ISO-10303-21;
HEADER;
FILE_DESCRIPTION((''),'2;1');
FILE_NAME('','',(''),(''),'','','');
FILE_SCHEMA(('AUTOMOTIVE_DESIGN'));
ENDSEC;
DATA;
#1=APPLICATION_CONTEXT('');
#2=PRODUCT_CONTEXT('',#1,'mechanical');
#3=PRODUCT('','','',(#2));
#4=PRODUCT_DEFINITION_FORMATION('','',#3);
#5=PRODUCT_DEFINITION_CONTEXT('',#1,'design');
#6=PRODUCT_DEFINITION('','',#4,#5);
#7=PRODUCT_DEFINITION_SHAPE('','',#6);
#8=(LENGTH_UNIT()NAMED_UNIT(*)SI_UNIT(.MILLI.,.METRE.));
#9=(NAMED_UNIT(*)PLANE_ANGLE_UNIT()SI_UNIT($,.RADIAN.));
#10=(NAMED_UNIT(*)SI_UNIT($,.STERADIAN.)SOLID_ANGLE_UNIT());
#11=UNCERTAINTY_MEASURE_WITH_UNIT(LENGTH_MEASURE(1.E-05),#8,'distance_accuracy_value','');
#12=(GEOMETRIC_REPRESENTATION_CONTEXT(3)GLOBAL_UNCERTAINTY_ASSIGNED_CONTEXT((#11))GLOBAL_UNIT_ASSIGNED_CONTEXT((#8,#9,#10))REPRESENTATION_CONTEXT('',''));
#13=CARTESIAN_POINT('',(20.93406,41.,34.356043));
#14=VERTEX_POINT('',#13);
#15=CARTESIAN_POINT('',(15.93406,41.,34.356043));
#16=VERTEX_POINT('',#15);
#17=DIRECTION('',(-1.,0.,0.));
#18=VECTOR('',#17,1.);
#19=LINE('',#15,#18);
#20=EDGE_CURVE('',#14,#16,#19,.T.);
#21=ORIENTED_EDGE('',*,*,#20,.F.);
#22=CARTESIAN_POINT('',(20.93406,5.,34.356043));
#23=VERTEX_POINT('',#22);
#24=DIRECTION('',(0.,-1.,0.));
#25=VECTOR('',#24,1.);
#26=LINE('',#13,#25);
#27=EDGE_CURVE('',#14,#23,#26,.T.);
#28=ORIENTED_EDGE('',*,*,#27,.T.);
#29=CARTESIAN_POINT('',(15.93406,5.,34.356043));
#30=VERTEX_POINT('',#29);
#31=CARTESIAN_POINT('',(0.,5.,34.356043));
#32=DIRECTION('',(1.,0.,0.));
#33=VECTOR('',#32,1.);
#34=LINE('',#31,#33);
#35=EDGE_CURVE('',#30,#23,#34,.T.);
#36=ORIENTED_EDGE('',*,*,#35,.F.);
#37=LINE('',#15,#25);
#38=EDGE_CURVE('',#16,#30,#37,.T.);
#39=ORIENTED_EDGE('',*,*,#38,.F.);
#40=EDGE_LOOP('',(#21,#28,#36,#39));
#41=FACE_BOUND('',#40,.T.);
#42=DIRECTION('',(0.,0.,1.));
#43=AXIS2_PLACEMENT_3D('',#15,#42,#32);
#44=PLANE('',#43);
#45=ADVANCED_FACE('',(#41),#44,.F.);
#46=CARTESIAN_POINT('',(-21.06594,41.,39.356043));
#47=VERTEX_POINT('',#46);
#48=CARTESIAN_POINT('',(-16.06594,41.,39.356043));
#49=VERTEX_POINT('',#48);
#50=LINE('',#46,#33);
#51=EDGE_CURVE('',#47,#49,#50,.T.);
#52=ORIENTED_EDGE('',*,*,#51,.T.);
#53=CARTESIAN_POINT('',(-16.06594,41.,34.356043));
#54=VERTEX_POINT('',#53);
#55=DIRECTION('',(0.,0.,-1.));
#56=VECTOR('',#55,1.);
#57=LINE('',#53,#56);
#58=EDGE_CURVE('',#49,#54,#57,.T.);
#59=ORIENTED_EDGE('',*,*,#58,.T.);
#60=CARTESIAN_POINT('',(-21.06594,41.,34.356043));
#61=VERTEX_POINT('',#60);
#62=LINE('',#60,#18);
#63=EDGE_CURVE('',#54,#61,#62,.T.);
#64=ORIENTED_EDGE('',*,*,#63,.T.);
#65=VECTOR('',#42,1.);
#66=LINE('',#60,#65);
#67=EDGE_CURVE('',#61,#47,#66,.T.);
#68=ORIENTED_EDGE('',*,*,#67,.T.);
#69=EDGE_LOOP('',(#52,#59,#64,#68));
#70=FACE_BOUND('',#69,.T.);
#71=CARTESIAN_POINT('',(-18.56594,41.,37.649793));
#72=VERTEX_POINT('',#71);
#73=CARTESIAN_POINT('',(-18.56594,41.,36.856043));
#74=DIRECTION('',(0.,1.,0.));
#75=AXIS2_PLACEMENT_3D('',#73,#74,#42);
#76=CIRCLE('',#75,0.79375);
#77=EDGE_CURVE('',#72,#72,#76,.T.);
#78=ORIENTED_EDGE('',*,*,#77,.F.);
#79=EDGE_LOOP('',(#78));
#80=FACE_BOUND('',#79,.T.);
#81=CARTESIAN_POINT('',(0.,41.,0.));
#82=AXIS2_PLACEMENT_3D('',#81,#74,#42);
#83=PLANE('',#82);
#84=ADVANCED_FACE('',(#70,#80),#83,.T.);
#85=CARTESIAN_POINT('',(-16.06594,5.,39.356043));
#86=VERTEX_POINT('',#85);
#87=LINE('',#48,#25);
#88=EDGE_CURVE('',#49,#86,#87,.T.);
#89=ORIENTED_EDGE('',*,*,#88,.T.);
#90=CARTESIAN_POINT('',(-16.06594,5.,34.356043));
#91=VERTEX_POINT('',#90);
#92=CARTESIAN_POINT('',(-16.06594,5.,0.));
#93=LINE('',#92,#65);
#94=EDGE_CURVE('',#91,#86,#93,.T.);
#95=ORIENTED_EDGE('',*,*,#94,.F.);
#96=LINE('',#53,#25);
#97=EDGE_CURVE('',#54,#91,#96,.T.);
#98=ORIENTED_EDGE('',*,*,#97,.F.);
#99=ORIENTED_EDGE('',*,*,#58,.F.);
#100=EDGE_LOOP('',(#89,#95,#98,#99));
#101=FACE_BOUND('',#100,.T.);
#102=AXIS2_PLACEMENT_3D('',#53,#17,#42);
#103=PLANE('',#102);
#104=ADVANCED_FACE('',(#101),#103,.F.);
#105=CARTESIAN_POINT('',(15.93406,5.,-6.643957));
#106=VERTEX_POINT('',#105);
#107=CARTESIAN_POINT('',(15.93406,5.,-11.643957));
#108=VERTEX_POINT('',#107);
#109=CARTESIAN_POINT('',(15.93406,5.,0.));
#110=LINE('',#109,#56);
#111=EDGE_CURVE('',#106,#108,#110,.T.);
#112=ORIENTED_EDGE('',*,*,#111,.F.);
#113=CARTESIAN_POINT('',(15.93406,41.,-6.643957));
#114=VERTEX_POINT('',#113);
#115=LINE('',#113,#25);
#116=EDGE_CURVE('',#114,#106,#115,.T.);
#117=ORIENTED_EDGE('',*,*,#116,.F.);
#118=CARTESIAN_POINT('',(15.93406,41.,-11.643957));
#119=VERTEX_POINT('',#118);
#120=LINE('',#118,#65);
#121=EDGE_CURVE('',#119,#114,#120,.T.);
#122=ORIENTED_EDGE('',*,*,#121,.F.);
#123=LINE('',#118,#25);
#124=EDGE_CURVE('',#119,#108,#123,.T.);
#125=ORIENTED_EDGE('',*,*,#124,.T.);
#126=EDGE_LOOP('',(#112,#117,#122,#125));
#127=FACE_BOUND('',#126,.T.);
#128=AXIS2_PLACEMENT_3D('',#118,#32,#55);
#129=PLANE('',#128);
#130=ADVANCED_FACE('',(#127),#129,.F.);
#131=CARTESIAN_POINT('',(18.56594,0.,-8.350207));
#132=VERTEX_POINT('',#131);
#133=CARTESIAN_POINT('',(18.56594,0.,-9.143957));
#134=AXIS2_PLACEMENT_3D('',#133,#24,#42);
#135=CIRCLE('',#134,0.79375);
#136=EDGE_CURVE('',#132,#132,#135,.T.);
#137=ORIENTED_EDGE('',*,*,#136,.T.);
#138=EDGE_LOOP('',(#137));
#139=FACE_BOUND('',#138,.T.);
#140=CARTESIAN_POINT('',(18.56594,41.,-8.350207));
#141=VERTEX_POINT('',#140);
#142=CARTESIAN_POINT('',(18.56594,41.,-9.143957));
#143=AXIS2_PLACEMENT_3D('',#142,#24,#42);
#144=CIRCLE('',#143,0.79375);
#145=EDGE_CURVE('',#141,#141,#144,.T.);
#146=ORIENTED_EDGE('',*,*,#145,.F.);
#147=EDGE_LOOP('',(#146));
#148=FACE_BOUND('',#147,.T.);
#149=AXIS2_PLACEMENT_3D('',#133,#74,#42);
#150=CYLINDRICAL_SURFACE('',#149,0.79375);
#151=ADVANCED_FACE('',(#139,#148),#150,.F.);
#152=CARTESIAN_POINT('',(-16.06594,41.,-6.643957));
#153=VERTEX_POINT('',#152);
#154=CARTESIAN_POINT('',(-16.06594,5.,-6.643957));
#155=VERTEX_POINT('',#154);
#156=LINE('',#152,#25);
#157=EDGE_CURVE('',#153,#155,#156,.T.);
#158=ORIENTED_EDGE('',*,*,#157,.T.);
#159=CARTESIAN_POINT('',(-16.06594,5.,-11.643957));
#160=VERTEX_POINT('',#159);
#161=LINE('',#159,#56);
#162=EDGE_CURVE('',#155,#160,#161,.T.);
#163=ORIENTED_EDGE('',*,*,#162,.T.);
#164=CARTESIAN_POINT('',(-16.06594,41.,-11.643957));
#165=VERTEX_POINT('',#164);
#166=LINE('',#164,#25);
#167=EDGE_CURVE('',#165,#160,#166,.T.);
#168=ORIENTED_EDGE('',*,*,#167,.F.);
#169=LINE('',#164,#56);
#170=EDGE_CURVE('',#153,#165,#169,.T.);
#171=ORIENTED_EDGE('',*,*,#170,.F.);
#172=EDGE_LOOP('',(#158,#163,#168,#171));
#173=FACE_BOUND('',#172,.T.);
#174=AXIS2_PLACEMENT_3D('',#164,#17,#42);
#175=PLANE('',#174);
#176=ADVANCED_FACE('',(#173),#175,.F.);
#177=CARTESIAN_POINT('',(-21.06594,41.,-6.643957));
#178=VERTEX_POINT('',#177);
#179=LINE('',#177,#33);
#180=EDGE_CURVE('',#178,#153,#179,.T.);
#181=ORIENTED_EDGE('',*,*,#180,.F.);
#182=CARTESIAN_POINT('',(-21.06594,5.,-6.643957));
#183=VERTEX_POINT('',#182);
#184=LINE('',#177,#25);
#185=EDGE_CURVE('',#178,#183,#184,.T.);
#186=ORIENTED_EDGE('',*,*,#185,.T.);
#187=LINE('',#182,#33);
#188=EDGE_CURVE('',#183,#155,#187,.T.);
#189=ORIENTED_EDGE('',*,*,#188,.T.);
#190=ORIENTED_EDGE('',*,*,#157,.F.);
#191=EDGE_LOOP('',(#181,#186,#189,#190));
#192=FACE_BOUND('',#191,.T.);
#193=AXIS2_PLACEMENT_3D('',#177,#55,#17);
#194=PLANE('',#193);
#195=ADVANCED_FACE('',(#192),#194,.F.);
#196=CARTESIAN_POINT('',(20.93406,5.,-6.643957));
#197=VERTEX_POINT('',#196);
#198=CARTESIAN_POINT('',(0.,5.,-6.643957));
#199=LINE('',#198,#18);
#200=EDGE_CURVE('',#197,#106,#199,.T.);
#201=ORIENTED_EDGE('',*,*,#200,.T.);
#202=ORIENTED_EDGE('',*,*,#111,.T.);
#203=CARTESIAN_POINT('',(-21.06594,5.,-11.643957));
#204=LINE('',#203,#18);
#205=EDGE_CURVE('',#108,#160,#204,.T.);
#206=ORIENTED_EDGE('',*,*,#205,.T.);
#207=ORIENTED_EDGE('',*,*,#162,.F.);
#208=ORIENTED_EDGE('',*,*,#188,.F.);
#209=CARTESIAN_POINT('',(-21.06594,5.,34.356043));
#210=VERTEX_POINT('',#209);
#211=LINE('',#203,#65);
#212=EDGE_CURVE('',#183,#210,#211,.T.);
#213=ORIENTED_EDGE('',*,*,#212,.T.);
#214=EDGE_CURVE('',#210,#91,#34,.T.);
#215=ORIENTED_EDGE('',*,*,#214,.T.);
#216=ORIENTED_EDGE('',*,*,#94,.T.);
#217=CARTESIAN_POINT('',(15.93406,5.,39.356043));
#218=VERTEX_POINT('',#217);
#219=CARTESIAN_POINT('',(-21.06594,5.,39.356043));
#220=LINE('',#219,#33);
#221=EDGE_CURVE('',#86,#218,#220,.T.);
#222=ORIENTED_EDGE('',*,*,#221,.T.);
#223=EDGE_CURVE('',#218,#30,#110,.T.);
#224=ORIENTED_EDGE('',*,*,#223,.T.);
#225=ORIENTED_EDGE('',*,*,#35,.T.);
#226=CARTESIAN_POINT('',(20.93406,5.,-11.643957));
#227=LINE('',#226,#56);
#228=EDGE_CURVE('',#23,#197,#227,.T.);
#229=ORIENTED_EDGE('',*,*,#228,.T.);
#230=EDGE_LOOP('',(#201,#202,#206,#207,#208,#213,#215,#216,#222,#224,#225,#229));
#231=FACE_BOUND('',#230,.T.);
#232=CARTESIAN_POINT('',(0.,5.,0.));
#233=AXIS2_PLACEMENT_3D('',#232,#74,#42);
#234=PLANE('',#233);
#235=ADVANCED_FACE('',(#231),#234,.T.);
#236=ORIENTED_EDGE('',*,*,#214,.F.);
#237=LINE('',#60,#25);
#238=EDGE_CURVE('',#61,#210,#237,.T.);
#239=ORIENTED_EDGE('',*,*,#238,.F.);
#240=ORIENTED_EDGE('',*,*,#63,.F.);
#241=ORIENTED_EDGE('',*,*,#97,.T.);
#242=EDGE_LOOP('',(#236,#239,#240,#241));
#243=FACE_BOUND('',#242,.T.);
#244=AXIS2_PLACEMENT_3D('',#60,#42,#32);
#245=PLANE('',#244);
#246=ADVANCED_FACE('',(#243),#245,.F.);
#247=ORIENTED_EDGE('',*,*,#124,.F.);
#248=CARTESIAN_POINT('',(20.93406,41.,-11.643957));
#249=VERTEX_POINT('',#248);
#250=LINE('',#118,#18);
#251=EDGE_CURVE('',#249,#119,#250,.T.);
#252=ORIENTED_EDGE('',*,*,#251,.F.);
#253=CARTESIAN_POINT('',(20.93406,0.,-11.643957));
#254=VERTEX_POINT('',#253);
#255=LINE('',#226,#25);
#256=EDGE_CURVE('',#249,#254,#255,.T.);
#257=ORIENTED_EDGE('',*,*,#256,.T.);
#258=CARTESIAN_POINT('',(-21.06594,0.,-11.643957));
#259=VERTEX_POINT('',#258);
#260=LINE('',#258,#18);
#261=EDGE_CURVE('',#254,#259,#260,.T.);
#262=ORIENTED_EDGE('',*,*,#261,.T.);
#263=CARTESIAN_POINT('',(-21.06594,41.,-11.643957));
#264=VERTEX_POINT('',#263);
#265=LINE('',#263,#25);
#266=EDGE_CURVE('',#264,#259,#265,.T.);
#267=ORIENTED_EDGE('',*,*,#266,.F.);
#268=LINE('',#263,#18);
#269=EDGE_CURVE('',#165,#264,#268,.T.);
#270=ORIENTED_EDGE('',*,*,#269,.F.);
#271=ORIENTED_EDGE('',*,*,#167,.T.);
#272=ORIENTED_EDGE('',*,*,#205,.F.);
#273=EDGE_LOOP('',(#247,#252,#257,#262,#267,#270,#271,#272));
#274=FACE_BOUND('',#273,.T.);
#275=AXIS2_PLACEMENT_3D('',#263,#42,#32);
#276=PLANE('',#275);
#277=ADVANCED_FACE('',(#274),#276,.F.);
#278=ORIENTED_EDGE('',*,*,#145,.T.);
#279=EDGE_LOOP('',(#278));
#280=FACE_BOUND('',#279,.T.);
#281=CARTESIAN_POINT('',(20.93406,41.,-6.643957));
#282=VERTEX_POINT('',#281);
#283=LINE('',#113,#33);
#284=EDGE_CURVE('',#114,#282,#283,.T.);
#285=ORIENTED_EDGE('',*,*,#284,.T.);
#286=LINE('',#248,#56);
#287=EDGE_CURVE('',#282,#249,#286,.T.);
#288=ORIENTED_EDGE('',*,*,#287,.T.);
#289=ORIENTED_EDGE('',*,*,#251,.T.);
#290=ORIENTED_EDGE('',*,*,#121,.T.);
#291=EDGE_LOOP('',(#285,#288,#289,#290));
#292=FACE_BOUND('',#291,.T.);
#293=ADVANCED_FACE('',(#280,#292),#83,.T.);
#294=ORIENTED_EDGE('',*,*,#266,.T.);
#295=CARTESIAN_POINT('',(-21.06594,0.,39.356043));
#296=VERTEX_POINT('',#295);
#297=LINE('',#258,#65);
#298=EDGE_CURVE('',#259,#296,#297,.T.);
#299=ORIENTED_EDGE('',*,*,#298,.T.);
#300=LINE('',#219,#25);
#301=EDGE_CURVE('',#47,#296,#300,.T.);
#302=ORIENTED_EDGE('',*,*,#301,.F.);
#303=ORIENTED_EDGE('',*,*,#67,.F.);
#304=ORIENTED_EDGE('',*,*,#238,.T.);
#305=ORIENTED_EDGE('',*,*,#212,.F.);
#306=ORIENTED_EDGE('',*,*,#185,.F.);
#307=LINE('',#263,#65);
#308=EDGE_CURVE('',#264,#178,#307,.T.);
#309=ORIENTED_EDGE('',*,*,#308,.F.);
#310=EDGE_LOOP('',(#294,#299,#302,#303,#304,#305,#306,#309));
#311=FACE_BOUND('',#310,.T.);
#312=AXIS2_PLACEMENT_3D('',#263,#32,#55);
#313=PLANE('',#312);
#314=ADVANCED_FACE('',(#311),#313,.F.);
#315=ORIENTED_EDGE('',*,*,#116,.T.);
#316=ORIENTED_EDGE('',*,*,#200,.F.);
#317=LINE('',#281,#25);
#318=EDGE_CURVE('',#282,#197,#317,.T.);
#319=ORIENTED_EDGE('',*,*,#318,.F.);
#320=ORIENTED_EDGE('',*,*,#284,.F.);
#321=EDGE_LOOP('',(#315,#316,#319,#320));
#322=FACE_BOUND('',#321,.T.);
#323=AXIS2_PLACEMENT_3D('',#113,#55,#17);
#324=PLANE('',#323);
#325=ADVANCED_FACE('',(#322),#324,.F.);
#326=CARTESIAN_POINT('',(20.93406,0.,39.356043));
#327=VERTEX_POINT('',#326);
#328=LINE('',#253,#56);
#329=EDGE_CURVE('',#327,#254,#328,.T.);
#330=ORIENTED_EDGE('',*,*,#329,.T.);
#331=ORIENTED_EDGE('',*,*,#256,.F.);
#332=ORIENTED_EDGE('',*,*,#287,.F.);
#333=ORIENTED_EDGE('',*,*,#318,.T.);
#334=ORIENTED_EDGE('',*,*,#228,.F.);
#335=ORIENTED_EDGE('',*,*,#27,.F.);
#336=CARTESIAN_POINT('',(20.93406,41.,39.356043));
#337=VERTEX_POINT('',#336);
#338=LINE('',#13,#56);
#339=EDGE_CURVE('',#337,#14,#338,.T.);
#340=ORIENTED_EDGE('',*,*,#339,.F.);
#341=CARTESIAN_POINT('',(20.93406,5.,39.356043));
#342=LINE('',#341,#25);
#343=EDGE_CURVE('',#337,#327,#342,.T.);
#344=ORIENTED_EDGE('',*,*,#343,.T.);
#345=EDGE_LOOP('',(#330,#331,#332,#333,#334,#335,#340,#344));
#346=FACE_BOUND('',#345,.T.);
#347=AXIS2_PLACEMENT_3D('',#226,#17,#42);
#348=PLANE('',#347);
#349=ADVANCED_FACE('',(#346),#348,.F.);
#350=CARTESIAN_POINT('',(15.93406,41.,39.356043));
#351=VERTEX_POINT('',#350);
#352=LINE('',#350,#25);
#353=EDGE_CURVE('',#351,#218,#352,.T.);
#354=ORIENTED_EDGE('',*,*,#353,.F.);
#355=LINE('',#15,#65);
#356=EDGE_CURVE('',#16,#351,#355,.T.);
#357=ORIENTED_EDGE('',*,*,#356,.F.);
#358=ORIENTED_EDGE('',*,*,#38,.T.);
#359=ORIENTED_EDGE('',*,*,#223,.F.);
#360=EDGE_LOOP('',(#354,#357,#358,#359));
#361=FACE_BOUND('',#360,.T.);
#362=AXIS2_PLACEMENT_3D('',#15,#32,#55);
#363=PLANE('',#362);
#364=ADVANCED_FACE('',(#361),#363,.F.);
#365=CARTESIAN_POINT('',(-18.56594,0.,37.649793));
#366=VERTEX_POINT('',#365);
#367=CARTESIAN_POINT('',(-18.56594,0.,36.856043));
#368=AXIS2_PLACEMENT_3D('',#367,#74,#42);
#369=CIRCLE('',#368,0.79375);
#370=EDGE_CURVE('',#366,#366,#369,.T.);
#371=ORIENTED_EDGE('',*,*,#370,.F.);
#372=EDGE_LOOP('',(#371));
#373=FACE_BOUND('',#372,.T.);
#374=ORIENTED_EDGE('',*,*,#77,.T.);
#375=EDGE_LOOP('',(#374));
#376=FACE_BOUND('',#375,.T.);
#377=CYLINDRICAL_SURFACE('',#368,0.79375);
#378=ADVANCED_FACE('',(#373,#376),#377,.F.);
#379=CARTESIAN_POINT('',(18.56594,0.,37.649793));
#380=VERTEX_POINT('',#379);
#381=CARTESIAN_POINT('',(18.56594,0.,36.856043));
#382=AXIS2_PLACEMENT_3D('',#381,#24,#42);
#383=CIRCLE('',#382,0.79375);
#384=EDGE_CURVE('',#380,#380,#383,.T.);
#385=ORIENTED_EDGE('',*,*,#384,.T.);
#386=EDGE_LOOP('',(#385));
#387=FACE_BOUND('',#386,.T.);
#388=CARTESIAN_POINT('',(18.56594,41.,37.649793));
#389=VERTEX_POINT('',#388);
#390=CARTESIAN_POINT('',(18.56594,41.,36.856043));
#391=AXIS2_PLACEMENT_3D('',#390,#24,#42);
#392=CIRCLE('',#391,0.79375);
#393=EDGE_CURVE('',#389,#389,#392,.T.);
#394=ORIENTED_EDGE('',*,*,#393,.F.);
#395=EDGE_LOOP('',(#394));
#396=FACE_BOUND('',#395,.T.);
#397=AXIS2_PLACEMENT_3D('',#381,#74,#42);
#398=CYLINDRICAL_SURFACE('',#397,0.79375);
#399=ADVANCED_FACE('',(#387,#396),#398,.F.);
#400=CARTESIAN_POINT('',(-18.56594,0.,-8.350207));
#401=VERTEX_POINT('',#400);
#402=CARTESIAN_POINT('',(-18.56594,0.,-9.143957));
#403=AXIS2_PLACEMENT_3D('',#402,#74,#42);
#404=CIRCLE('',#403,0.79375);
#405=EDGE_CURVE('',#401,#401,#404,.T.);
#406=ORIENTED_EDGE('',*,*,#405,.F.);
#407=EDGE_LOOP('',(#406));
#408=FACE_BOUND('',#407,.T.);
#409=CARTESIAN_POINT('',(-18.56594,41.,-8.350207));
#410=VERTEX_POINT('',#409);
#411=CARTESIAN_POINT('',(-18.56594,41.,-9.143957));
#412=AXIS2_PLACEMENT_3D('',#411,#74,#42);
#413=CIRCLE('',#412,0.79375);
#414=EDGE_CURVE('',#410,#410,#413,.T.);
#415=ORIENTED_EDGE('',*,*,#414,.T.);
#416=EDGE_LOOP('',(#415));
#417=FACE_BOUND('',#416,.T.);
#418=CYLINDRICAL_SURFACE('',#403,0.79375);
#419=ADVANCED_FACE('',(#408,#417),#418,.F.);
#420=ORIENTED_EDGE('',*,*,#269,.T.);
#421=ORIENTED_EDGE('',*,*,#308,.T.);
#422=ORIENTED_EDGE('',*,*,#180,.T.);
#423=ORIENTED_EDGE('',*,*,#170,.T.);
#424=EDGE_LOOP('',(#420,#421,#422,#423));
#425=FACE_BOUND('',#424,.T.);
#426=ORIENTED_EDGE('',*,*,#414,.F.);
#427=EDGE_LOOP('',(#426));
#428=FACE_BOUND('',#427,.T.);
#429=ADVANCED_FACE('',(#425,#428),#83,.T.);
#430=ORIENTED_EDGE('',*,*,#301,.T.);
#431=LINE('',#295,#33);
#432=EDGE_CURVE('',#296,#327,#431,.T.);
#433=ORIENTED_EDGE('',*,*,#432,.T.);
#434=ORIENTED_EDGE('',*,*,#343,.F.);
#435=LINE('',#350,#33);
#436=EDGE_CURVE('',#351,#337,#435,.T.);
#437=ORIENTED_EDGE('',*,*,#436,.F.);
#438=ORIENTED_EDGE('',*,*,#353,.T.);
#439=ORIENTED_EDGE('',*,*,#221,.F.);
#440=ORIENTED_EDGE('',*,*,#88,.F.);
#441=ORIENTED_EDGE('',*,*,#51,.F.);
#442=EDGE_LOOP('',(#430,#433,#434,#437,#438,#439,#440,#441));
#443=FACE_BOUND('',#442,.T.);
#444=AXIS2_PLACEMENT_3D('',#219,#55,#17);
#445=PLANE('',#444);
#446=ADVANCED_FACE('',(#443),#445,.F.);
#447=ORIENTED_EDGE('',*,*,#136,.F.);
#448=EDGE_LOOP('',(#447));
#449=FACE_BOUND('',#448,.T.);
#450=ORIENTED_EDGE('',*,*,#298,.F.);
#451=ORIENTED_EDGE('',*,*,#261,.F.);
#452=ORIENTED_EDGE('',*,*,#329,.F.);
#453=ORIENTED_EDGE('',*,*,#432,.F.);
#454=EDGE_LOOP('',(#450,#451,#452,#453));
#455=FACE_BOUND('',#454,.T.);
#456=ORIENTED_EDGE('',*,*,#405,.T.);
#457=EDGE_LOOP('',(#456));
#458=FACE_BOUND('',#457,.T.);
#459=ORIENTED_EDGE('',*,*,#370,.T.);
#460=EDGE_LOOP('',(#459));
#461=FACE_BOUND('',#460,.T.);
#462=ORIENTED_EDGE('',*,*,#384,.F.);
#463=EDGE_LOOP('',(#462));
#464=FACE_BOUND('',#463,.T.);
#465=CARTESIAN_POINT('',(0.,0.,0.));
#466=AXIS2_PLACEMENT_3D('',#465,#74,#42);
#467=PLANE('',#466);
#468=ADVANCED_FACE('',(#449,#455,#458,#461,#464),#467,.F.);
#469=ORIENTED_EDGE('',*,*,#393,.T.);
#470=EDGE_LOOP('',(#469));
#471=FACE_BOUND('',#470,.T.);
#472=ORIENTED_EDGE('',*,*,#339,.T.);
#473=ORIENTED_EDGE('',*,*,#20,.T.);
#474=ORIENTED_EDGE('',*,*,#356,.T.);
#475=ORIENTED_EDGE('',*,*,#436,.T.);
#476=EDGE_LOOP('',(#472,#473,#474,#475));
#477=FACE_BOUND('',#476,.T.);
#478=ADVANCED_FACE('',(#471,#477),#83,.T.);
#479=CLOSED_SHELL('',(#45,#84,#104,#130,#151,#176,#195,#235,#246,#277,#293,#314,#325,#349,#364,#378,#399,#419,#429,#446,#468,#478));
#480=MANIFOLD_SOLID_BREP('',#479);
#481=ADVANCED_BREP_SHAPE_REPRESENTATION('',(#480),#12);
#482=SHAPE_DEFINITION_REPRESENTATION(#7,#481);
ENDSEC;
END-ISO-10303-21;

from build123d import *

# Parameters (mm, degrees)
CROQUIS1_W                = 5
CROQUIS1_H                = 5
SALIENTE_EXTRUIR1_DEPTH   = 41
SALIENTE_EXTRUIR1_2_DEPTH = 41
SALIENTE_EXTRUIR1_3_DEPTH = 41
SALIENTE_EXTRUIR1_4_DEPTH = 41
CROQUIS2_W                = 42
CROQUIS2_H                = 51
SALIENTE_EXTRUIR2_DEPTH   = 5
CROQUIS3_R                = 0.79375
CORTAR_EXTRUIR1_DEPTH     = 41


with BuildPart() as part:
    # Croquis1 → Saliente-Extruir1 (new body)
    with BuildSketch(Plane(origin=(0, 0, 0), x_dir=(1, 0, 0), z_dir=(0, 1, 0))):
        with Locations((-18.565940407, 9.143956682)):
            Rectangle(CROQUIS1_W, CROQUIS1_H)
    extrude(amount=SALIENTE_EXTRUIR1_DEPTH)



with BuildPart() as body_2:
    # Croquis1 → Saliente-Extruir1 2 (new body)
    with BuildSketch(Plane(origin=(0, 0, 0), x_dir=(1, 0, 0), z_dir=(0, 1, 0))):
        with Locations((18.434059593, 9.143956682)):
            Rectangle(CROQUIS1_W, CROQUIS1_H)
    extrude(amount=SALIENTE_EXTRUIR1_2_DEPTH)


with BuildPart() as body_3:
    # Croquis1 → Saliente-Extruir1 3 (new body)
    with BuildSketch(Plane(origin=(0, 0, 0), x_dir=(1, 0, 0), z_dir=(0, 1, 0))):
        with Locations((-18.565940407, -36.856043318)):
            Rectangle(CROQUIS1_W, CROQUIS1_H)
    extrude(amount=SALIENTE_EXTRUIR1_3_DEPTH)


with BuildPart() as body_4:
    # Croquis1 → Saliente-Extruir1 4 (new body)
    with BuildSketch(Plane(origin=(0, 0, 0), x_dir=(1, 0, 0), z_dir=(0, 1, 0))):
        with Locations((18.434059593, -36.856043318)):
            Rectangle(CROQUIS1_W, CROQUIS1_H)
    extrude(amount=SALIENTE_EXTRUIR1_4_DEPTH)


with BuildPart() as part_1:
    add(part.part)

    add(body_2.part)  # Saliente-Extruir2 merges body 2

    add(body_3.part)  # Saliente-Extruir2 merges body 3

    add(body_4.part)  # Saliente-Extruir2 merges body 4
    # Croquis2 → Saliente-Extruir2 (add)
    with BuildSketch(Plane(origin=(0, 0, 0), x_dir=(1, 0, 0), z_dir=(0, 1, 0))):
        with Locations((-0.065940407, -13.856043318)):
            Rectangle(CROQUIS2_W, CROQUIS2_H)
    extrude(amount=SALIENTE_EXTRUIR2_DEPTH)

    # Croquis3 → Cortar-Extruir1 (cut)
    with BuildSketch(Plane(origin=(0, 41, 0), x_dir=(1, 0, 0), z_dir=(0, 1, 0))):
        with Locations(Location((-18.565940407, 9.143956682, 0), (0, 0, 270))):
            Circle(CROQUIS3_R)
        with Locations(Location((-18.565940407, -36.856043318, 0), (0, 0, 270))):
            Circle(CROQUIS3_R)
    cortar_extruir1 = extrude(amount=-CORTAR_EXTRUIR1_DEPTH, mode=Mode.SUBTRACT)

    # Simetría1: Cortar-Extruir1 across plane
    add(cortar_extruir1.mirror(Plane(origin=(0, 0, 0), x_dir=(0, 0, 1), z_dir=(1, 0, 0))), mode=Mode.SUBTRACT)


solid = part_1.part
